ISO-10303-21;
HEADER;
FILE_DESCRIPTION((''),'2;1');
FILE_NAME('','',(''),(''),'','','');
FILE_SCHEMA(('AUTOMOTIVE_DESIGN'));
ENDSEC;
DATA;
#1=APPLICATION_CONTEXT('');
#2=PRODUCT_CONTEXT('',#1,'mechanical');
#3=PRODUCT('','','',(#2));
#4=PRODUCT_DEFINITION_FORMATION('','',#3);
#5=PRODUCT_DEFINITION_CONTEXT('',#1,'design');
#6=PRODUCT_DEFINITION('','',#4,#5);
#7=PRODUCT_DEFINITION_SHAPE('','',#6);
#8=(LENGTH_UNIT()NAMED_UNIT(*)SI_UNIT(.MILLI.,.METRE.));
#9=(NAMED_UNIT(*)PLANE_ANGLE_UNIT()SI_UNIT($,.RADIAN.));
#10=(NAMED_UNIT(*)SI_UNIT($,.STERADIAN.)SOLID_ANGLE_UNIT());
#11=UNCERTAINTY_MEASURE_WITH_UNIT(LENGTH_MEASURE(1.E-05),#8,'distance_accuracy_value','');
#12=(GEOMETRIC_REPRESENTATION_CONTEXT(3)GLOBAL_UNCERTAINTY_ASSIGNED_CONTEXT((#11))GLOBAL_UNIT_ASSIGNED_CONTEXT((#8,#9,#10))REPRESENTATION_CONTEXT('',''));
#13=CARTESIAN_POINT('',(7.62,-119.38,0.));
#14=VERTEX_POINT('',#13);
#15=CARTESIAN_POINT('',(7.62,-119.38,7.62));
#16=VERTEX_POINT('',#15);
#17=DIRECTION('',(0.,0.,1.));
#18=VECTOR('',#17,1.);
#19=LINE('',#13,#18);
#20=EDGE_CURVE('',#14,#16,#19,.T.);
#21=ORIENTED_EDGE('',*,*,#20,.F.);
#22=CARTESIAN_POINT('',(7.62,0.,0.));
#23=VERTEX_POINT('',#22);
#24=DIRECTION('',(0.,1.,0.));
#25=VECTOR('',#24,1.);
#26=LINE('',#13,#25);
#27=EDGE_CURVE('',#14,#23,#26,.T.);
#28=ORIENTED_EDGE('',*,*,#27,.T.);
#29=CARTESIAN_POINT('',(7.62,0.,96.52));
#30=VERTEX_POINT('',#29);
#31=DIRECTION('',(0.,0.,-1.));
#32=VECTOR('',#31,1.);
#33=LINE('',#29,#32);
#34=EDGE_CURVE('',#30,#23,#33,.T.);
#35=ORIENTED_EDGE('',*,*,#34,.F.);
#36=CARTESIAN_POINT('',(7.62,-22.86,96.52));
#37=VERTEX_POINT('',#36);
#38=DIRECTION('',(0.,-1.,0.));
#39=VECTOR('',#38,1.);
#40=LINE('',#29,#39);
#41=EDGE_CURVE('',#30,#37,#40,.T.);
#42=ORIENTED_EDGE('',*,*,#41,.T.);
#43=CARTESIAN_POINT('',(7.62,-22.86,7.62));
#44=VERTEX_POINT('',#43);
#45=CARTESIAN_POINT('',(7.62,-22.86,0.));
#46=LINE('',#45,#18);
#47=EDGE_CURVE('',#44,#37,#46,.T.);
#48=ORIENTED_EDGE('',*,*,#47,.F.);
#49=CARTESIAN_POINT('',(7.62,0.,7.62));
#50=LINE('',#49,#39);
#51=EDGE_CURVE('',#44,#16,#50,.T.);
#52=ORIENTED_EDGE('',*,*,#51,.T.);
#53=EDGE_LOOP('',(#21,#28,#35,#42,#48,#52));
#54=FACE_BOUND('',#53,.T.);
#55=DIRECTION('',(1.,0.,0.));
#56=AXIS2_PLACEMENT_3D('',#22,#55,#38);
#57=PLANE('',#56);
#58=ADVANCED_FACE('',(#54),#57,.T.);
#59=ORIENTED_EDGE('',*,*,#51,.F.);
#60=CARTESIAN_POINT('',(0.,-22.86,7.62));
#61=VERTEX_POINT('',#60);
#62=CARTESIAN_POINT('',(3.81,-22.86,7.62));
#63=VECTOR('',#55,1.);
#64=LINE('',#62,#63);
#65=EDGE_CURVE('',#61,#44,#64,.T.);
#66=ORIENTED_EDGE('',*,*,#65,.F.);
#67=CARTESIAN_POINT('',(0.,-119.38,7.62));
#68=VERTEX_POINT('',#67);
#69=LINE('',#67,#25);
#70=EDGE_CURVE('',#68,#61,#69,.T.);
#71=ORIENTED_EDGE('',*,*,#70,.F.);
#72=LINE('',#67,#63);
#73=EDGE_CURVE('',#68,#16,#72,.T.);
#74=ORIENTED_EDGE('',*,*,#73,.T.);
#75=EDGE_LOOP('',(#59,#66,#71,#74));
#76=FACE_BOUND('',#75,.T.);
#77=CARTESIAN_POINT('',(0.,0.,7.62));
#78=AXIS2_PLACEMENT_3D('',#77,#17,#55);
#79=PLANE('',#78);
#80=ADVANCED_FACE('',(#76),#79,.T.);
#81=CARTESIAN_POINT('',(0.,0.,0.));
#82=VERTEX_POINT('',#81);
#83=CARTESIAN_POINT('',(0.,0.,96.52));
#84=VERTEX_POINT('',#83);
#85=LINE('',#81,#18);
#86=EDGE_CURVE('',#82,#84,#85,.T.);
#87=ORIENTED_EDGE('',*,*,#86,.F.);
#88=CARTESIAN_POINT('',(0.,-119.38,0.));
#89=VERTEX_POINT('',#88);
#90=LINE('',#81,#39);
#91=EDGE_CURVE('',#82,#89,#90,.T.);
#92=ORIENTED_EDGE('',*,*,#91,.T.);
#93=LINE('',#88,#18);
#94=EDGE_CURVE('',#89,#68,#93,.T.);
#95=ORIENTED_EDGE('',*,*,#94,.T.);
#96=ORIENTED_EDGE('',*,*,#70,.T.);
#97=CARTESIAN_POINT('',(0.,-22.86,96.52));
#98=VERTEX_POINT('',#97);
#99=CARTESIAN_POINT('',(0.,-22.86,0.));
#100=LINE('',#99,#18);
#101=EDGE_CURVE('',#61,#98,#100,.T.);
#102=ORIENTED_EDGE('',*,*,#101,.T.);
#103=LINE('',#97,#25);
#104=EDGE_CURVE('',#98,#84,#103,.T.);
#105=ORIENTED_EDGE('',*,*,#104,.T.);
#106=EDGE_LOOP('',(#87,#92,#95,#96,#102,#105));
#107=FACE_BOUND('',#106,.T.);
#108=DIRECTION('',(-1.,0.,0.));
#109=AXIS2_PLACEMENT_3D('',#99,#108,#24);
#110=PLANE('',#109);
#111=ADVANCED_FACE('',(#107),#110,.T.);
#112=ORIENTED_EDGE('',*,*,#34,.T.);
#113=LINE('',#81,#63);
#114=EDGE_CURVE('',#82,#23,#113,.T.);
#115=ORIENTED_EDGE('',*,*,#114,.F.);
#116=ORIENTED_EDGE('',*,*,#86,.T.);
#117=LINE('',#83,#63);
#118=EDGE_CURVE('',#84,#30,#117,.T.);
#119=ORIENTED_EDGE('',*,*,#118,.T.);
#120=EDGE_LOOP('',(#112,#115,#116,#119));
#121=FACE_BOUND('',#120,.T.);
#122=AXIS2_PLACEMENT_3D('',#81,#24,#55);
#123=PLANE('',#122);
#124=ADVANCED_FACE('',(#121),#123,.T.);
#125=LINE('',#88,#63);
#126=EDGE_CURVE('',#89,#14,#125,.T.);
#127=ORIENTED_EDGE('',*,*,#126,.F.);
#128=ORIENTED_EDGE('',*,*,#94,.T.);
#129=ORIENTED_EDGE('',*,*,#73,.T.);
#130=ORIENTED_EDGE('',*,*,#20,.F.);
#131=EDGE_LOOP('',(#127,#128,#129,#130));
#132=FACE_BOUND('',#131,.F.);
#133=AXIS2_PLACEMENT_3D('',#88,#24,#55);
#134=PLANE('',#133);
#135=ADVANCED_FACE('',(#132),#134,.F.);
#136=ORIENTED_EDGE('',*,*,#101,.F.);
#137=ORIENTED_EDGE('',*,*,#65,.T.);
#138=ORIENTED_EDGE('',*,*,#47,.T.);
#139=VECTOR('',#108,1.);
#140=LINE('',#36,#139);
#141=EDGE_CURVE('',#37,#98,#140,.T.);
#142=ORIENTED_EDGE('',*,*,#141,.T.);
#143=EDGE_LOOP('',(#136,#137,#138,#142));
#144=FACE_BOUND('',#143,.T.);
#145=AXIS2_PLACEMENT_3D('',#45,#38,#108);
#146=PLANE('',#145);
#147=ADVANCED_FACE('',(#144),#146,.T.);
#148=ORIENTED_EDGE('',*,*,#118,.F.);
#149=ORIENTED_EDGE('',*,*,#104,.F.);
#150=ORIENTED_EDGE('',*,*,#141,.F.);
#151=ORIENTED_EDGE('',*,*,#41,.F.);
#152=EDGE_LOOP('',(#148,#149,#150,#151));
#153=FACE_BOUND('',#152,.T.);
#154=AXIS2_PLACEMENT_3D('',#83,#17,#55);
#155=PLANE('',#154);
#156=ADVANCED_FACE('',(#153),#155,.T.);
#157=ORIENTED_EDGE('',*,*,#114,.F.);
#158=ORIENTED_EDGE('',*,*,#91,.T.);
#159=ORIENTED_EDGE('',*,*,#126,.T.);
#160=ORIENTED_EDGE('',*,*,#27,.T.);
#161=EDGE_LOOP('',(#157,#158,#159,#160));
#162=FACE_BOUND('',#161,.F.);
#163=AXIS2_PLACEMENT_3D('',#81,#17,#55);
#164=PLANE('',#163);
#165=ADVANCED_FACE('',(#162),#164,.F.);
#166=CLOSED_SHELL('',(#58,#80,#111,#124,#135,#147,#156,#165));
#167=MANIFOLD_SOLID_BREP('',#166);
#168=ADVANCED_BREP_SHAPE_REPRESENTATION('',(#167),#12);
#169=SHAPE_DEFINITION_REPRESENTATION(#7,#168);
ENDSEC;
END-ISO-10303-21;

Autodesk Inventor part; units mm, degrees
ref_plane "YZ Plane" through (0, 0, 0) normal (1, 0, 0) x (0, 1, 0)
ref_plane "XZ Plane" through (0, 0, 0) normal (0, 1, 0) x (-1, 0, 0)
ref_plane "XY Plane" through (0, 0, 0) normal (0, 0, 1) x (1, 0, 0)
sketch "Sketch1" plane through (0, 0, 0) normal (0, 0, 1) x (1, 0, 0)
  line L0 (0, 0) -> (7.62, 0)
  line L1 (7.62, 0) -> (7.62, -22.86)
  line L2 (7.62, -22.86) -> (0, -22.86)
  line L3 (0, -22.86) -> (0, 0)
  line L4 (7.62, -22.86) -> (0, -22.86)
  line L5 (0, -22.86) -> (0, -119.38)
  line L6 (0, -119.38) -> (7.62, -119.38)
  line L7 (7.62, -119.38) -> (7.62, -22.86)
  line L8 (0, -111.76) -> (0, -119.38)
  line L9 (0, 0) -> (7.62, 0)
  line L10 (7.62, 0) -> (7.62, -22.86)
  line L11 (7.62, -22.86) -> (0, -22.86)
  line L12 (0, -22.86) -> (0, 0)
  line L13 (7.62, -119.38) -> (35.0744, -119.38)
  line L14 (35.0744, -119.38) -> (69.9139, -119.38)
  line L15 (69.9139, -111.76) -> (69.9139, -119.38)
  line L16 (69.9139, -111.76) -> (7.62, -111.76)
  point P0 (0, -22.86)
  dimension "d0" = 7.62
  dimension "d1" = 22.86
  dimension "d2" = 7.62
  dimension "d3" = 96.52
  dimension "d6" = 7.62
extrude "Extrusion1" add sketch "Sketch1" along normal blind 7.62 contours L0 L1 L2 L3 | L2 L7 L6 L5
extrude "Extrusion2" add sketch "Sketch1" along normal blind 96.52 contours L0 L1 L2 L3
sketch "Sketch2" plane through (0, -119.38, 0) normal (-1, 0, 0) x (0, 0, 1)
  line L0 (0, 0) -> (7.62, 0) projected
  line L1 (7.62, 0) -> (63.8725, 0)
  line L2 (63.8725, 0) -> (63.8725, 11.8579)
  line L3 (63.8725, 11.8579) -> (7.62, 11.8579)
  point P0 (0, 119.38)
equation "\"d0\" = d6"
properties part number "e"
